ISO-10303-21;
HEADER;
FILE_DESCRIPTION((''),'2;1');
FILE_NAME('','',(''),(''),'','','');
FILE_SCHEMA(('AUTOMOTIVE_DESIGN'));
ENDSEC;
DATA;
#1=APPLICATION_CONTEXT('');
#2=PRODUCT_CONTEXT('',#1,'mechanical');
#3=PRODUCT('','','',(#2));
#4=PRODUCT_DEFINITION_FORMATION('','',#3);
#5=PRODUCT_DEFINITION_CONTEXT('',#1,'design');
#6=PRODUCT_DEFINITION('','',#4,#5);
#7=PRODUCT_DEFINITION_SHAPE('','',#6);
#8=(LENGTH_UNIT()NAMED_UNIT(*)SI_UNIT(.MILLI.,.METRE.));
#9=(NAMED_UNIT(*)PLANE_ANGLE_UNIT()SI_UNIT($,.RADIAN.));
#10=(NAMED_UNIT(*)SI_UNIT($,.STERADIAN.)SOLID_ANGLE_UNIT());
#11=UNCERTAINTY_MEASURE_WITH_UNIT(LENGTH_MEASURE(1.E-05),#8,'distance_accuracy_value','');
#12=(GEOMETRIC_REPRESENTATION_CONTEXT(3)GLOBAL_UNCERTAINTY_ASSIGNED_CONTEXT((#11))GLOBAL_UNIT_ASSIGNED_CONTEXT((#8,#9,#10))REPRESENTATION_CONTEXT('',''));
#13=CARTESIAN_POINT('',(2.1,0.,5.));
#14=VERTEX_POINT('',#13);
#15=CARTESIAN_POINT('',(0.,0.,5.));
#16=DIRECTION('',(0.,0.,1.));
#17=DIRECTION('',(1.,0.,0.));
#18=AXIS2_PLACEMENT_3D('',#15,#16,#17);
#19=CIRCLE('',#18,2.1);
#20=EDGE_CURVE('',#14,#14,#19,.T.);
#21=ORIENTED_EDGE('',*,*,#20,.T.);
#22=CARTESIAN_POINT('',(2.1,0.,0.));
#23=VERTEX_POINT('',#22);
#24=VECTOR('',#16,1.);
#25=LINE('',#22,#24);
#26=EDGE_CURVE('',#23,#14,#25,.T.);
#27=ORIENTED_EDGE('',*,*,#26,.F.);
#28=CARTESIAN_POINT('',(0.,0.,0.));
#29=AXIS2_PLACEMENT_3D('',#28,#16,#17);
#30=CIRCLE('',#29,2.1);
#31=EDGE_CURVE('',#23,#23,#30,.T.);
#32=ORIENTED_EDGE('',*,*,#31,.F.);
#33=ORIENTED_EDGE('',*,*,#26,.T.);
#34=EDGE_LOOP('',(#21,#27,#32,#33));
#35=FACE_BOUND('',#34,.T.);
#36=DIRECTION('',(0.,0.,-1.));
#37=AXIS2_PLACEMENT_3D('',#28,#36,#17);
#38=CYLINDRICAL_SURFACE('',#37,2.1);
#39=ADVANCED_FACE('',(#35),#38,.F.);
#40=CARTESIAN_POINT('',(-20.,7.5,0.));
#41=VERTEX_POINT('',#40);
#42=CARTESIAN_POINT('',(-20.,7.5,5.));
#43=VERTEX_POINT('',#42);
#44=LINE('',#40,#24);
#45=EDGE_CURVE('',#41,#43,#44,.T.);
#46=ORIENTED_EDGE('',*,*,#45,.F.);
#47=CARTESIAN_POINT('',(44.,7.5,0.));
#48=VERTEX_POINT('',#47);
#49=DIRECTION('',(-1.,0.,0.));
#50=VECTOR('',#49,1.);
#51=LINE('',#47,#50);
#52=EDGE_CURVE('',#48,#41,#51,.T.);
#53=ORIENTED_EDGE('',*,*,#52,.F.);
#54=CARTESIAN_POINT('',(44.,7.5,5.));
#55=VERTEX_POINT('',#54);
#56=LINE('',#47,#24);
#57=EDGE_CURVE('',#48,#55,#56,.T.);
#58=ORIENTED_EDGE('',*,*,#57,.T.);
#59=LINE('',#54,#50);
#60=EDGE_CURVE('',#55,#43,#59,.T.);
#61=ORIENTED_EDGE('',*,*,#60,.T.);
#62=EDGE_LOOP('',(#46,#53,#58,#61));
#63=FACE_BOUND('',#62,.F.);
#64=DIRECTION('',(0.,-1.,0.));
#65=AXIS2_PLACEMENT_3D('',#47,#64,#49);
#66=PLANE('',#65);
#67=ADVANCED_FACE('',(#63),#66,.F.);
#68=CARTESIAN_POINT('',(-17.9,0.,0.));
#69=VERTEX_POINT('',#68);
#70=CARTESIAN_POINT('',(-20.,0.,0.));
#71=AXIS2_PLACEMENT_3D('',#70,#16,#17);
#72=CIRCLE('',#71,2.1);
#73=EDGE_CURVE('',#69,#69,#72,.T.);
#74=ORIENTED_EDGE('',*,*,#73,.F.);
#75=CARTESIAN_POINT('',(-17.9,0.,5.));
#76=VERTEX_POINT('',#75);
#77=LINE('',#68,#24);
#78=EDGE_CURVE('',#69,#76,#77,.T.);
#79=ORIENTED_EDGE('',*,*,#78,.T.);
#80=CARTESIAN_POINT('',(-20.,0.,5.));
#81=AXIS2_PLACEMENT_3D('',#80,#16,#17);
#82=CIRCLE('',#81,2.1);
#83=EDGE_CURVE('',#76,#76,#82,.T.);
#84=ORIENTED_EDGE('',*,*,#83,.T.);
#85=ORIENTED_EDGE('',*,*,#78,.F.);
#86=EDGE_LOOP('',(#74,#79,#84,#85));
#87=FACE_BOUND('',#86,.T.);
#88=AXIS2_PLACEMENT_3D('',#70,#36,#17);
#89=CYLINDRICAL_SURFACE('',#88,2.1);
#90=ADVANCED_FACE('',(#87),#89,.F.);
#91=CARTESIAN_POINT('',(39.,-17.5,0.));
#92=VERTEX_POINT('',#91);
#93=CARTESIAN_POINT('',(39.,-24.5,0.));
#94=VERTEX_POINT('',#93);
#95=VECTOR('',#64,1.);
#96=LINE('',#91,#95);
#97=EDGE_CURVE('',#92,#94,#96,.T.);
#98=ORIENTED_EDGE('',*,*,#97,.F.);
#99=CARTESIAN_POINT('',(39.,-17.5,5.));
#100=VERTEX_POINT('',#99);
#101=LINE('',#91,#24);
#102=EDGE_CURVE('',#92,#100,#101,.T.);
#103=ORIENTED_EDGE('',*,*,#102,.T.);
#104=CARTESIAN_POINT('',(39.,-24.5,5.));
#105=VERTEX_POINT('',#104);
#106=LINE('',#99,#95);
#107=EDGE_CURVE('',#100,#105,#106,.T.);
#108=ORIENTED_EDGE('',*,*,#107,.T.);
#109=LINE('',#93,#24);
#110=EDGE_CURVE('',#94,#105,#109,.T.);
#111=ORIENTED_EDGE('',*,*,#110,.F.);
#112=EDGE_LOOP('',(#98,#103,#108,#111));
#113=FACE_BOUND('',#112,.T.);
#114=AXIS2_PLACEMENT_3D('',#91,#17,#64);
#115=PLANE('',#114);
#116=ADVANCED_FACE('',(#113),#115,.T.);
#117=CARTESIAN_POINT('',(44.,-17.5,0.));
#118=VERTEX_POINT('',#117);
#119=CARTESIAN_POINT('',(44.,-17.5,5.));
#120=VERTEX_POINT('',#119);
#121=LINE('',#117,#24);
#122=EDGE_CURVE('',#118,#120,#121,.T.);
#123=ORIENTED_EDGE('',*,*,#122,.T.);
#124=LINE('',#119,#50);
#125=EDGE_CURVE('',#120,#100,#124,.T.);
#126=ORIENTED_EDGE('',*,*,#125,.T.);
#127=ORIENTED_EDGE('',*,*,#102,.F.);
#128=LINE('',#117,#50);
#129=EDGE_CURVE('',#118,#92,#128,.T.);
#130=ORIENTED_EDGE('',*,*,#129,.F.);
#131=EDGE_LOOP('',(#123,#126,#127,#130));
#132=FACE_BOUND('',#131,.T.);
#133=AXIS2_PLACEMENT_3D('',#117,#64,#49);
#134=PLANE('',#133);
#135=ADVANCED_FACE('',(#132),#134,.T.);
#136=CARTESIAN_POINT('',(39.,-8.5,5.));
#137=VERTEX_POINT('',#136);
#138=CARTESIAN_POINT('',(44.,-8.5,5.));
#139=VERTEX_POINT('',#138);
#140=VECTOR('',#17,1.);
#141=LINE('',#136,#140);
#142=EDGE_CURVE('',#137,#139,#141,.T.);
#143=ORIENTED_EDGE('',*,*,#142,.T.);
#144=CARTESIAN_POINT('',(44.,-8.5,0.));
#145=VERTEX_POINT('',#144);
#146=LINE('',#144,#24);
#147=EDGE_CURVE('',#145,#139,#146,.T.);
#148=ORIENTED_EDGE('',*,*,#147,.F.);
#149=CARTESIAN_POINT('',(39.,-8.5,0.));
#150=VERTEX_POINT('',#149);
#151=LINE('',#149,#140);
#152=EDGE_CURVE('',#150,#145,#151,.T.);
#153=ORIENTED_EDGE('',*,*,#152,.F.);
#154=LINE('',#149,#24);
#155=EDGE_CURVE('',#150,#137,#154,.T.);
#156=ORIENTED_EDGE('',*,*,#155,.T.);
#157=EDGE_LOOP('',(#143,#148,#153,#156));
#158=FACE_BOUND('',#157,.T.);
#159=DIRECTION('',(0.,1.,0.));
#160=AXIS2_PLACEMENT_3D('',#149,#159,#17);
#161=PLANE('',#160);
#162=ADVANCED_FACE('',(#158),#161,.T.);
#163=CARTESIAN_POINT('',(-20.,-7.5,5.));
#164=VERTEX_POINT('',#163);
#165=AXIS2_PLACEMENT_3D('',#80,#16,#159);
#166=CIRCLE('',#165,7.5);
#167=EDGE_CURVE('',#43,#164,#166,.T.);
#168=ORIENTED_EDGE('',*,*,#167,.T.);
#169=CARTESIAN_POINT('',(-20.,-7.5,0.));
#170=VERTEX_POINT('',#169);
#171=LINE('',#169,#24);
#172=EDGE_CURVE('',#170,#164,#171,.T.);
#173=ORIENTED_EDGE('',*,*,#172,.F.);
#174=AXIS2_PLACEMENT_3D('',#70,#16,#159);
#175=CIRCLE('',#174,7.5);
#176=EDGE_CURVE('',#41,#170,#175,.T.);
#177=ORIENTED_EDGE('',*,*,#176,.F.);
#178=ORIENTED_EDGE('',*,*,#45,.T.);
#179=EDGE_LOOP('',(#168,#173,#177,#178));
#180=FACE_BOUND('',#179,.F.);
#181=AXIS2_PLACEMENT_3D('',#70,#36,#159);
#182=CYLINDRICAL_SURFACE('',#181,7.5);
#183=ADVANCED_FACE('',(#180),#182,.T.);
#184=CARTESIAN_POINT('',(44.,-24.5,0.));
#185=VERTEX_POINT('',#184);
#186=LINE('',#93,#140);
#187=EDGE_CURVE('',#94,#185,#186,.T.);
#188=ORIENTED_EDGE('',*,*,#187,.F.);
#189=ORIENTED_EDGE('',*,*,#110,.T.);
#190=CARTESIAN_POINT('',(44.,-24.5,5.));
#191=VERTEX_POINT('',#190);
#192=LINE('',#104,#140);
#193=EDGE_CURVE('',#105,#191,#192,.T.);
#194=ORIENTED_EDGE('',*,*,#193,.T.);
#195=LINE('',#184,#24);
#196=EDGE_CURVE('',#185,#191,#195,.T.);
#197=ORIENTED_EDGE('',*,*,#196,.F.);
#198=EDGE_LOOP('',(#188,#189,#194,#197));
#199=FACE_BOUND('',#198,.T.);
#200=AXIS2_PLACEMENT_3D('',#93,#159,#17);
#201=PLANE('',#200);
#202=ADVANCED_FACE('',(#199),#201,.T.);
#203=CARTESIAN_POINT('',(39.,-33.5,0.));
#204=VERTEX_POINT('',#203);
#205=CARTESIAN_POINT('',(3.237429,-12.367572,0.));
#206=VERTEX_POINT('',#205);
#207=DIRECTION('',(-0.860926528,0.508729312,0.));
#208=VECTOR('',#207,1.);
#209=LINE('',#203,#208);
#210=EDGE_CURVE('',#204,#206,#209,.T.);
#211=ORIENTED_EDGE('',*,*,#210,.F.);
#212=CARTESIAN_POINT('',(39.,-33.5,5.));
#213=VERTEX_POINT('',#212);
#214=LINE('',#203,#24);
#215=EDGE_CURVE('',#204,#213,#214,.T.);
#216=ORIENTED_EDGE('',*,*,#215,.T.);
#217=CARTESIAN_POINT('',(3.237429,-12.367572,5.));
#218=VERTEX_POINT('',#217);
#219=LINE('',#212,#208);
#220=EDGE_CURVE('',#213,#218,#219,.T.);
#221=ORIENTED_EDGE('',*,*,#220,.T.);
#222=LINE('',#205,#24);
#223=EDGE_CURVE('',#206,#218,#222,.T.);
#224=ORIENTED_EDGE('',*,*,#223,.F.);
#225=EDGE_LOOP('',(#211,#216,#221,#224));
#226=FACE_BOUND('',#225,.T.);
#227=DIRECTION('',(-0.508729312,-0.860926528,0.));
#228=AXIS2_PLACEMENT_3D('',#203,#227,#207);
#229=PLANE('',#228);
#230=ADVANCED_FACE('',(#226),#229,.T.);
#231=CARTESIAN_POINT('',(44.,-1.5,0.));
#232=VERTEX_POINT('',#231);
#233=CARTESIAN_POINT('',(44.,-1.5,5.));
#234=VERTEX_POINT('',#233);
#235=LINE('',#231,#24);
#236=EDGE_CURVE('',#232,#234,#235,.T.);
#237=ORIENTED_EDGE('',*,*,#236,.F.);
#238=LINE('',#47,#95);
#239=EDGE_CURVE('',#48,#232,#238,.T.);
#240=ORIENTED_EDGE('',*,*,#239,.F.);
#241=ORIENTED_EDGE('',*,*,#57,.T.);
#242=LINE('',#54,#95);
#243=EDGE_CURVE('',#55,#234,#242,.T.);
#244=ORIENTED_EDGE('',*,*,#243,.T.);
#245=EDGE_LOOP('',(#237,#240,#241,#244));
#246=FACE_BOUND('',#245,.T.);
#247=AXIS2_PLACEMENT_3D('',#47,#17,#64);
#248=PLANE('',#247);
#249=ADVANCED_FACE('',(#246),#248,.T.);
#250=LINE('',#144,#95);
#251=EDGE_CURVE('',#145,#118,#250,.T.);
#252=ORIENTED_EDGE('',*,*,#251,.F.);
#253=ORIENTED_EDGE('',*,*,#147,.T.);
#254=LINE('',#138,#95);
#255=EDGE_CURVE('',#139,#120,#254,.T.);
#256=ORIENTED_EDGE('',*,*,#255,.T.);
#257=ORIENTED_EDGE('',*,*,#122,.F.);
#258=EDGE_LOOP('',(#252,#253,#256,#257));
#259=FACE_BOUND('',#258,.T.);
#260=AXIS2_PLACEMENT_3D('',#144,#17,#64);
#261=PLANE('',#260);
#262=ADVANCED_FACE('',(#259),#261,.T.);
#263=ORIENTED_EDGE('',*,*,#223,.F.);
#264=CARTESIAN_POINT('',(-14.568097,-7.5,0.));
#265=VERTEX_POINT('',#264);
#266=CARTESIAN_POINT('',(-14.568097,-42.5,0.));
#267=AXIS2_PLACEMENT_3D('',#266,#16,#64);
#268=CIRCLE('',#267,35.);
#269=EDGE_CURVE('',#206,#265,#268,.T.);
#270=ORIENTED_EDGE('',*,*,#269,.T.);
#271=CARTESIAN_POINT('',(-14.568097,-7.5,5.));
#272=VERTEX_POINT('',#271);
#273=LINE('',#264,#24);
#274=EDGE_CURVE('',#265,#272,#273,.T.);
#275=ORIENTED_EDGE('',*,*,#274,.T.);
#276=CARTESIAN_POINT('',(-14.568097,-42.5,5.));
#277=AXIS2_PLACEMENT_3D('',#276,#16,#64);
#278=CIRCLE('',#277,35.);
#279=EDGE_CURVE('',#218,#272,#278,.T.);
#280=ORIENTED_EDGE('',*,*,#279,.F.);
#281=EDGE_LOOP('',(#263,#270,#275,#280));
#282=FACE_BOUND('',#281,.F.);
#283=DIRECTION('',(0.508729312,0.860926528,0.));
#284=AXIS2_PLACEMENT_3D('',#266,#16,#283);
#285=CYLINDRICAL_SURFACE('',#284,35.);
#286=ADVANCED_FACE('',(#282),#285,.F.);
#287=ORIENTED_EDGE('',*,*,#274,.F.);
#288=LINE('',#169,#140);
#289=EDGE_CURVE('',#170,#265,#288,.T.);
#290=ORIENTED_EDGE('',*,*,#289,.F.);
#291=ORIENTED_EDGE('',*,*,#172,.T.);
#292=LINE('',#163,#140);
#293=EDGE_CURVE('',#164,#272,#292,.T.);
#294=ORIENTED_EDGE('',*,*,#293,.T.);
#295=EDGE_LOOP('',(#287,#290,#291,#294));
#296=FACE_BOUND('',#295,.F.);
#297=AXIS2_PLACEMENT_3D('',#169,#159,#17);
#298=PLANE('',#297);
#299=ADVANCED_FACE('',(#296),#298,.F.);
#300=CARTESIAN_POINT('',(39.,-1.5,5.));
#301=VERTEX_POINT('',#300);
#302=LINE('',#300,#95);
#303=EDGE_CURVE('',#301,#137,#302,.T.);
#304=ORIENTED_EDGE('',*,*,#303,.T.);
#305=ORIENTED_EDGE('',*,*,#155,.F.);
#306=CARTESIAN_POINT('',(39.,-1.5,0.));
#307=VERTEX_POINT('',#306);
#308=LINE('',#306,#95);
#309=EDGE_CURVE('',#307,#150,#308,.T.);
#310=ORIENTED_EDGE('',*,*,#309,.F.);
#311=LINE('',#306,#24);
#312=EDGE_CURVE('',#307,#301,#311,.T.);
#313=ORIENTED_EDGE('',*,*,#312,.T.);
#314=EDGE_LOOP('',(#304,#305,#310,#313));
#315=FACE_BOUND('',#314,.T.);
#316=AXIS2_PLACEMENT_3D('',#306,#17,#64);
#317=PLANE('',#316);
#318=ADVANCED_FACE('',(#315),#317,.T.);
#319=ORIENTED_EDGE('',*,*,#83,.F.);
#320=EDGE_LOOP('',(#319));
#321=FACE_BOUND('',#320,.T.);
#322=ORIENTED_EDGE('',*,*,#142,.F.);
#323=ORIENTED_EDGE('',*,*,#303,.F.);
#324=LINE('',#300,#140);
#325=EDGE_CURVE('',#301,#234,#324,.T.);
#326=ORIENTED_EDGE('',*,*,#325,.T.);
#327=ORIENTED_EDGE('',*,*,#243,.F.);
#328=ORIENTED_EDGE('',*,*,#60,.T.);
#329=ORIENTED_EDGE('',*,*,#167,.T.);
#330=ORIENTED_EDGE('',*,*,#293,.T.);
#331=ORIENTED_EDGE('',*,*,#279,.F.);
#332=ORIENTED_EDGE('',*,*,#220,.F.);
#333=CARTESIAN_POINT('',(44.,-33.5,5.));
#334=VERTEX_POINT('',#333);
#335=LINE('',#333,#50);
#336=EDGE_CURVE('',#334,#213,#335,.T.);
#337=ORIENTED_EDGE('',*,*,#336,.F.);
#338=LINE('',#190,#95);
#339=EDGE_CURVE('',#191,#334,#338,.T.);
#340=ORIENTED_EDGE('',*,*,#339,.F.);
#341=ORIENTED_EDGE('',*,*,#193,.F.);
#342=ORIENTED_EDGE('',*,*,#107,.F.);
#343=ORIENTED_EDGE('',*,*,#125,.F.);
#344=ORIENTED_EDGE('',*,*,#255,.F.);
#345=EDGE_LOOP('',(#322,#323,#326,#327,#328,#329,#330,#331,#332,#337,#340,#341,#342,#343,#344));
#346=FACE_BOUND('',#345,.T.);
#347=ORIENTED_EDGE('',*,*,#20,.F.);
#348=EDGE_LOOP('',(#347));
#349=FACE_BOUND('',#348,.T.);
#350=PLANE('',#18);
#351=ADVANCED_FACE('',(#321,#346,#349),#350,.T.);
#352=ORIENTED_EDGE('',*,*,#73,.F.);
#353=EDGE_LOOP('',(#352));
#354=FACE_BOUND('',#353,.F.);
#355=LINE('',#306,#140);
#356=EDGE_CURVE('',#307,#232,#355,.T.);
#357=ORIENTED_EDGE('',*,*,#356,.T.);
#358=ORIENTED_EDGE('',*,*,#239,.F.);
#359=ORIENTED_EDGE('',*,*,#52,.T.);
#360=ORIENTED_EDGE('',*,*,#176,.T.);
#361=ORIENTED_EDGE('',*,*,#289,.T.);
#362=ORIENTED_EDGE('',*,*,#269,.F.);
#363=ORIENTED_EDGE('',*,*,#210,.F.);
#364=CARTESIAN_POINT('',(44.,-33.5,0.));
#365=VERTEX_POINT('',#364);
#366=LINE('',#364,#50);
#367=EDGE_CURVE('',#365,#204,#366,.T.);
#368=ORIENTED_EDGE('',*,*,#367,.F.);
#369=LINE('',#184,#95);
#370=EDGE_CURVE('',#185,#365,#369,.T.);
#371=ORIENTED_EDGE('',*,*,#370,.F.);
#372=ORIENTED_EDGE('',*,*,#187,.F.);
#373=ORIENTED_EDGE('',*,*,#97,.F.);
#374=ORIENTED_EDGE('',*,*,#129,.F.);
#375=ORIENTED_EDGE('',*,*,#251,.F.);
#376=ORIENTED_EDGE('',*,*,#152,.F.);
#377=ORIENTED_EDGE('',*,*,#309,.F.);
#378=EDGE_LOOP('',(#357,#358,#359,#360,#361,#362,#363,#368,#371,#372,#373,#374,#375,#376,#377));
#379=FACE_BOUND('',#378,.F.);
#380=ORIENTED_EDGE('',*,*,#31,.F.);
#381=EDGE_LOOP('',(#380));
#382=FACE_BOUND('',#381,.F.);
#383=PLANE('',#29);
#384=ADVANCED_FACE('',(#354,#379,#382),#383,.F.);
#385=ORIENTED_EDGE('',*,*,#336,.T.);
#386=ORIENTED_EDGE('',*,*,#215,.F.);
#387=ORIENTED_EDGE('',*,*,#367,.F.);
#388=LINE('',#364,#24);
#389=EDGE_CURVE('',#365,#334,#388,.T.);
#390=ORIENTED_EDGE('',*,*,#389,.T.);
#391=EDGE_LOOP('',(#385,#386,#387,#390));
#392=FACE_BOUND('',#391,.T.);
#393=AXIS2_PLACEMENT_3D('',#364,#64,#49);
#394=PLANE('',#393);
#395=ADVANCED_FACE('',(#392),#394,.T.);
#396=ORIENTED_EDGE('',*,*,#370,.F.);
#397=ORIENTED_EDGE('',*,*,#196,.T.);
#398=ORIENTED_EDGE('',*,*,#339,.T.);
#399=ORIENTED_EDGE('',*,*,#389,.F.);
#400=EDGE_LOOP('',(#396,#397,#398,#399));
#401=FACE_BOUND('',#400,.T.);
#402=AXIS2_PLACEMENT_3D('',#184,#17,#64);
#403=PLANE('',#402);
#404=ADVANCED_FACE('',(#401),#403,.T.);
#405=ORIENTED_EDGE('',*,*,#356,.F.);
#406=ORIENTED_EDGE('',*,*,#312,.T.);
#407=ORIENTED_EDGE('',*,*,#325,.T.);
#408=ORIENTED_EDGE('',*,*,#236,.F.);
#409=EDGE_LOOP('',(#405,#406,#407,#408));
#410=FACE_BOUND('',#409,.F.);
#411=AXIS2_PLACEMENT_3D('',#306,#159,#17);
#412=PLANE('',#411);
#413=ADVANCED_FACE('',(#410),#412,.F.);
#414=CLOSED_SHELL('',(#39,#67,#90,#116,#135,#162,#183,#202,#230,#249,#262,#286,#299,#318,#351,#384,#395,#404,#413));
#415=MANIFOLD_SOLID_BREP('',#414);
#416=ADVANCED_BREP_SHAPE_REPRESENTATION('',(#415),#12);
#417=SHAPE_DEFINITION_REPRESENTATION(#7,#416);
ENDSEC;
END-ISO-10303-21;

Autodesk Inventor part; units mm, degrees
ref_plane "YZ Plane" through (0, 0, 0) normal (1, 0, 0) x (0, 1, 0)
ref_plane "XZ Plane" through (0, 0, 0) normal (0, 1, 0) x (-1, 0, 0)
ref_plane "XY Plane" through (0, 0, 0) normal (0, 0, 1) x (1, 0, 0)
sketch "Sketch1" plane through (0, 0, 0) normal (0, 0, 1) x (1, 0, 0)
  line L0 (-20, -7.5) -> (-5, -7.5)
  line L1 (44, 7.5) -> (-20, 7.5)
  arc A0 (-20, 7.5) -> (-20, -7.5) centre (-20, 0) ccw
  circle A1 centre (-20, 0) radius 2.1
  line L2 (44, 7.5) -> (44, -1.5)
  line L3 (39, -1.5) -> (39, -8.5)
  line L4 (39, -8.5) -> (44, -8.5)
  line L5 (44, -8.5) -> (44, -17.5)
  line L6 (44, -17.5) -> (39, -17.5)
  line L7 (39, -1.5) -> (44, -1.5)
  circle A2 centre (0, 0) radius 2.1
  line L8 (39, -17.5) -> (39, -24.5)
  line L9 (39, -24.5) -> (44, -24.5)
  line L10 (44, -24.5) -> (44, -33.5)
  line L11 (44, -33.5) -> (39, -33.5)
  line L12 (39, -33.5) -> (-5, -7.5)
  dimension "d1" = 4.2
  dimension "d8" = 15
  dimension "d9" = 5
  dimension "d10" = 7
  dimension "d11" = 9
  dimension "d12" = 9
  dimension "d14" = 4.2
  dimension "d15" = 20
  dimension "d16" = 64
  dimension "d17" = 15
  dimension "d18" = 7
  dimension "d19" = 9
extrude "Extrusion1" add sketch "Sketch1" along normal blind 5
fillet "Fillet1" radius 35 1 edges at (-5, -7.5, 2.5)
equation "\"d1\" = d14"
equation "\"d12\" = d11"
equation "\"d18\" = d10"
equation "\"d19\" = d12"
properties part number "gate-upper-link"
